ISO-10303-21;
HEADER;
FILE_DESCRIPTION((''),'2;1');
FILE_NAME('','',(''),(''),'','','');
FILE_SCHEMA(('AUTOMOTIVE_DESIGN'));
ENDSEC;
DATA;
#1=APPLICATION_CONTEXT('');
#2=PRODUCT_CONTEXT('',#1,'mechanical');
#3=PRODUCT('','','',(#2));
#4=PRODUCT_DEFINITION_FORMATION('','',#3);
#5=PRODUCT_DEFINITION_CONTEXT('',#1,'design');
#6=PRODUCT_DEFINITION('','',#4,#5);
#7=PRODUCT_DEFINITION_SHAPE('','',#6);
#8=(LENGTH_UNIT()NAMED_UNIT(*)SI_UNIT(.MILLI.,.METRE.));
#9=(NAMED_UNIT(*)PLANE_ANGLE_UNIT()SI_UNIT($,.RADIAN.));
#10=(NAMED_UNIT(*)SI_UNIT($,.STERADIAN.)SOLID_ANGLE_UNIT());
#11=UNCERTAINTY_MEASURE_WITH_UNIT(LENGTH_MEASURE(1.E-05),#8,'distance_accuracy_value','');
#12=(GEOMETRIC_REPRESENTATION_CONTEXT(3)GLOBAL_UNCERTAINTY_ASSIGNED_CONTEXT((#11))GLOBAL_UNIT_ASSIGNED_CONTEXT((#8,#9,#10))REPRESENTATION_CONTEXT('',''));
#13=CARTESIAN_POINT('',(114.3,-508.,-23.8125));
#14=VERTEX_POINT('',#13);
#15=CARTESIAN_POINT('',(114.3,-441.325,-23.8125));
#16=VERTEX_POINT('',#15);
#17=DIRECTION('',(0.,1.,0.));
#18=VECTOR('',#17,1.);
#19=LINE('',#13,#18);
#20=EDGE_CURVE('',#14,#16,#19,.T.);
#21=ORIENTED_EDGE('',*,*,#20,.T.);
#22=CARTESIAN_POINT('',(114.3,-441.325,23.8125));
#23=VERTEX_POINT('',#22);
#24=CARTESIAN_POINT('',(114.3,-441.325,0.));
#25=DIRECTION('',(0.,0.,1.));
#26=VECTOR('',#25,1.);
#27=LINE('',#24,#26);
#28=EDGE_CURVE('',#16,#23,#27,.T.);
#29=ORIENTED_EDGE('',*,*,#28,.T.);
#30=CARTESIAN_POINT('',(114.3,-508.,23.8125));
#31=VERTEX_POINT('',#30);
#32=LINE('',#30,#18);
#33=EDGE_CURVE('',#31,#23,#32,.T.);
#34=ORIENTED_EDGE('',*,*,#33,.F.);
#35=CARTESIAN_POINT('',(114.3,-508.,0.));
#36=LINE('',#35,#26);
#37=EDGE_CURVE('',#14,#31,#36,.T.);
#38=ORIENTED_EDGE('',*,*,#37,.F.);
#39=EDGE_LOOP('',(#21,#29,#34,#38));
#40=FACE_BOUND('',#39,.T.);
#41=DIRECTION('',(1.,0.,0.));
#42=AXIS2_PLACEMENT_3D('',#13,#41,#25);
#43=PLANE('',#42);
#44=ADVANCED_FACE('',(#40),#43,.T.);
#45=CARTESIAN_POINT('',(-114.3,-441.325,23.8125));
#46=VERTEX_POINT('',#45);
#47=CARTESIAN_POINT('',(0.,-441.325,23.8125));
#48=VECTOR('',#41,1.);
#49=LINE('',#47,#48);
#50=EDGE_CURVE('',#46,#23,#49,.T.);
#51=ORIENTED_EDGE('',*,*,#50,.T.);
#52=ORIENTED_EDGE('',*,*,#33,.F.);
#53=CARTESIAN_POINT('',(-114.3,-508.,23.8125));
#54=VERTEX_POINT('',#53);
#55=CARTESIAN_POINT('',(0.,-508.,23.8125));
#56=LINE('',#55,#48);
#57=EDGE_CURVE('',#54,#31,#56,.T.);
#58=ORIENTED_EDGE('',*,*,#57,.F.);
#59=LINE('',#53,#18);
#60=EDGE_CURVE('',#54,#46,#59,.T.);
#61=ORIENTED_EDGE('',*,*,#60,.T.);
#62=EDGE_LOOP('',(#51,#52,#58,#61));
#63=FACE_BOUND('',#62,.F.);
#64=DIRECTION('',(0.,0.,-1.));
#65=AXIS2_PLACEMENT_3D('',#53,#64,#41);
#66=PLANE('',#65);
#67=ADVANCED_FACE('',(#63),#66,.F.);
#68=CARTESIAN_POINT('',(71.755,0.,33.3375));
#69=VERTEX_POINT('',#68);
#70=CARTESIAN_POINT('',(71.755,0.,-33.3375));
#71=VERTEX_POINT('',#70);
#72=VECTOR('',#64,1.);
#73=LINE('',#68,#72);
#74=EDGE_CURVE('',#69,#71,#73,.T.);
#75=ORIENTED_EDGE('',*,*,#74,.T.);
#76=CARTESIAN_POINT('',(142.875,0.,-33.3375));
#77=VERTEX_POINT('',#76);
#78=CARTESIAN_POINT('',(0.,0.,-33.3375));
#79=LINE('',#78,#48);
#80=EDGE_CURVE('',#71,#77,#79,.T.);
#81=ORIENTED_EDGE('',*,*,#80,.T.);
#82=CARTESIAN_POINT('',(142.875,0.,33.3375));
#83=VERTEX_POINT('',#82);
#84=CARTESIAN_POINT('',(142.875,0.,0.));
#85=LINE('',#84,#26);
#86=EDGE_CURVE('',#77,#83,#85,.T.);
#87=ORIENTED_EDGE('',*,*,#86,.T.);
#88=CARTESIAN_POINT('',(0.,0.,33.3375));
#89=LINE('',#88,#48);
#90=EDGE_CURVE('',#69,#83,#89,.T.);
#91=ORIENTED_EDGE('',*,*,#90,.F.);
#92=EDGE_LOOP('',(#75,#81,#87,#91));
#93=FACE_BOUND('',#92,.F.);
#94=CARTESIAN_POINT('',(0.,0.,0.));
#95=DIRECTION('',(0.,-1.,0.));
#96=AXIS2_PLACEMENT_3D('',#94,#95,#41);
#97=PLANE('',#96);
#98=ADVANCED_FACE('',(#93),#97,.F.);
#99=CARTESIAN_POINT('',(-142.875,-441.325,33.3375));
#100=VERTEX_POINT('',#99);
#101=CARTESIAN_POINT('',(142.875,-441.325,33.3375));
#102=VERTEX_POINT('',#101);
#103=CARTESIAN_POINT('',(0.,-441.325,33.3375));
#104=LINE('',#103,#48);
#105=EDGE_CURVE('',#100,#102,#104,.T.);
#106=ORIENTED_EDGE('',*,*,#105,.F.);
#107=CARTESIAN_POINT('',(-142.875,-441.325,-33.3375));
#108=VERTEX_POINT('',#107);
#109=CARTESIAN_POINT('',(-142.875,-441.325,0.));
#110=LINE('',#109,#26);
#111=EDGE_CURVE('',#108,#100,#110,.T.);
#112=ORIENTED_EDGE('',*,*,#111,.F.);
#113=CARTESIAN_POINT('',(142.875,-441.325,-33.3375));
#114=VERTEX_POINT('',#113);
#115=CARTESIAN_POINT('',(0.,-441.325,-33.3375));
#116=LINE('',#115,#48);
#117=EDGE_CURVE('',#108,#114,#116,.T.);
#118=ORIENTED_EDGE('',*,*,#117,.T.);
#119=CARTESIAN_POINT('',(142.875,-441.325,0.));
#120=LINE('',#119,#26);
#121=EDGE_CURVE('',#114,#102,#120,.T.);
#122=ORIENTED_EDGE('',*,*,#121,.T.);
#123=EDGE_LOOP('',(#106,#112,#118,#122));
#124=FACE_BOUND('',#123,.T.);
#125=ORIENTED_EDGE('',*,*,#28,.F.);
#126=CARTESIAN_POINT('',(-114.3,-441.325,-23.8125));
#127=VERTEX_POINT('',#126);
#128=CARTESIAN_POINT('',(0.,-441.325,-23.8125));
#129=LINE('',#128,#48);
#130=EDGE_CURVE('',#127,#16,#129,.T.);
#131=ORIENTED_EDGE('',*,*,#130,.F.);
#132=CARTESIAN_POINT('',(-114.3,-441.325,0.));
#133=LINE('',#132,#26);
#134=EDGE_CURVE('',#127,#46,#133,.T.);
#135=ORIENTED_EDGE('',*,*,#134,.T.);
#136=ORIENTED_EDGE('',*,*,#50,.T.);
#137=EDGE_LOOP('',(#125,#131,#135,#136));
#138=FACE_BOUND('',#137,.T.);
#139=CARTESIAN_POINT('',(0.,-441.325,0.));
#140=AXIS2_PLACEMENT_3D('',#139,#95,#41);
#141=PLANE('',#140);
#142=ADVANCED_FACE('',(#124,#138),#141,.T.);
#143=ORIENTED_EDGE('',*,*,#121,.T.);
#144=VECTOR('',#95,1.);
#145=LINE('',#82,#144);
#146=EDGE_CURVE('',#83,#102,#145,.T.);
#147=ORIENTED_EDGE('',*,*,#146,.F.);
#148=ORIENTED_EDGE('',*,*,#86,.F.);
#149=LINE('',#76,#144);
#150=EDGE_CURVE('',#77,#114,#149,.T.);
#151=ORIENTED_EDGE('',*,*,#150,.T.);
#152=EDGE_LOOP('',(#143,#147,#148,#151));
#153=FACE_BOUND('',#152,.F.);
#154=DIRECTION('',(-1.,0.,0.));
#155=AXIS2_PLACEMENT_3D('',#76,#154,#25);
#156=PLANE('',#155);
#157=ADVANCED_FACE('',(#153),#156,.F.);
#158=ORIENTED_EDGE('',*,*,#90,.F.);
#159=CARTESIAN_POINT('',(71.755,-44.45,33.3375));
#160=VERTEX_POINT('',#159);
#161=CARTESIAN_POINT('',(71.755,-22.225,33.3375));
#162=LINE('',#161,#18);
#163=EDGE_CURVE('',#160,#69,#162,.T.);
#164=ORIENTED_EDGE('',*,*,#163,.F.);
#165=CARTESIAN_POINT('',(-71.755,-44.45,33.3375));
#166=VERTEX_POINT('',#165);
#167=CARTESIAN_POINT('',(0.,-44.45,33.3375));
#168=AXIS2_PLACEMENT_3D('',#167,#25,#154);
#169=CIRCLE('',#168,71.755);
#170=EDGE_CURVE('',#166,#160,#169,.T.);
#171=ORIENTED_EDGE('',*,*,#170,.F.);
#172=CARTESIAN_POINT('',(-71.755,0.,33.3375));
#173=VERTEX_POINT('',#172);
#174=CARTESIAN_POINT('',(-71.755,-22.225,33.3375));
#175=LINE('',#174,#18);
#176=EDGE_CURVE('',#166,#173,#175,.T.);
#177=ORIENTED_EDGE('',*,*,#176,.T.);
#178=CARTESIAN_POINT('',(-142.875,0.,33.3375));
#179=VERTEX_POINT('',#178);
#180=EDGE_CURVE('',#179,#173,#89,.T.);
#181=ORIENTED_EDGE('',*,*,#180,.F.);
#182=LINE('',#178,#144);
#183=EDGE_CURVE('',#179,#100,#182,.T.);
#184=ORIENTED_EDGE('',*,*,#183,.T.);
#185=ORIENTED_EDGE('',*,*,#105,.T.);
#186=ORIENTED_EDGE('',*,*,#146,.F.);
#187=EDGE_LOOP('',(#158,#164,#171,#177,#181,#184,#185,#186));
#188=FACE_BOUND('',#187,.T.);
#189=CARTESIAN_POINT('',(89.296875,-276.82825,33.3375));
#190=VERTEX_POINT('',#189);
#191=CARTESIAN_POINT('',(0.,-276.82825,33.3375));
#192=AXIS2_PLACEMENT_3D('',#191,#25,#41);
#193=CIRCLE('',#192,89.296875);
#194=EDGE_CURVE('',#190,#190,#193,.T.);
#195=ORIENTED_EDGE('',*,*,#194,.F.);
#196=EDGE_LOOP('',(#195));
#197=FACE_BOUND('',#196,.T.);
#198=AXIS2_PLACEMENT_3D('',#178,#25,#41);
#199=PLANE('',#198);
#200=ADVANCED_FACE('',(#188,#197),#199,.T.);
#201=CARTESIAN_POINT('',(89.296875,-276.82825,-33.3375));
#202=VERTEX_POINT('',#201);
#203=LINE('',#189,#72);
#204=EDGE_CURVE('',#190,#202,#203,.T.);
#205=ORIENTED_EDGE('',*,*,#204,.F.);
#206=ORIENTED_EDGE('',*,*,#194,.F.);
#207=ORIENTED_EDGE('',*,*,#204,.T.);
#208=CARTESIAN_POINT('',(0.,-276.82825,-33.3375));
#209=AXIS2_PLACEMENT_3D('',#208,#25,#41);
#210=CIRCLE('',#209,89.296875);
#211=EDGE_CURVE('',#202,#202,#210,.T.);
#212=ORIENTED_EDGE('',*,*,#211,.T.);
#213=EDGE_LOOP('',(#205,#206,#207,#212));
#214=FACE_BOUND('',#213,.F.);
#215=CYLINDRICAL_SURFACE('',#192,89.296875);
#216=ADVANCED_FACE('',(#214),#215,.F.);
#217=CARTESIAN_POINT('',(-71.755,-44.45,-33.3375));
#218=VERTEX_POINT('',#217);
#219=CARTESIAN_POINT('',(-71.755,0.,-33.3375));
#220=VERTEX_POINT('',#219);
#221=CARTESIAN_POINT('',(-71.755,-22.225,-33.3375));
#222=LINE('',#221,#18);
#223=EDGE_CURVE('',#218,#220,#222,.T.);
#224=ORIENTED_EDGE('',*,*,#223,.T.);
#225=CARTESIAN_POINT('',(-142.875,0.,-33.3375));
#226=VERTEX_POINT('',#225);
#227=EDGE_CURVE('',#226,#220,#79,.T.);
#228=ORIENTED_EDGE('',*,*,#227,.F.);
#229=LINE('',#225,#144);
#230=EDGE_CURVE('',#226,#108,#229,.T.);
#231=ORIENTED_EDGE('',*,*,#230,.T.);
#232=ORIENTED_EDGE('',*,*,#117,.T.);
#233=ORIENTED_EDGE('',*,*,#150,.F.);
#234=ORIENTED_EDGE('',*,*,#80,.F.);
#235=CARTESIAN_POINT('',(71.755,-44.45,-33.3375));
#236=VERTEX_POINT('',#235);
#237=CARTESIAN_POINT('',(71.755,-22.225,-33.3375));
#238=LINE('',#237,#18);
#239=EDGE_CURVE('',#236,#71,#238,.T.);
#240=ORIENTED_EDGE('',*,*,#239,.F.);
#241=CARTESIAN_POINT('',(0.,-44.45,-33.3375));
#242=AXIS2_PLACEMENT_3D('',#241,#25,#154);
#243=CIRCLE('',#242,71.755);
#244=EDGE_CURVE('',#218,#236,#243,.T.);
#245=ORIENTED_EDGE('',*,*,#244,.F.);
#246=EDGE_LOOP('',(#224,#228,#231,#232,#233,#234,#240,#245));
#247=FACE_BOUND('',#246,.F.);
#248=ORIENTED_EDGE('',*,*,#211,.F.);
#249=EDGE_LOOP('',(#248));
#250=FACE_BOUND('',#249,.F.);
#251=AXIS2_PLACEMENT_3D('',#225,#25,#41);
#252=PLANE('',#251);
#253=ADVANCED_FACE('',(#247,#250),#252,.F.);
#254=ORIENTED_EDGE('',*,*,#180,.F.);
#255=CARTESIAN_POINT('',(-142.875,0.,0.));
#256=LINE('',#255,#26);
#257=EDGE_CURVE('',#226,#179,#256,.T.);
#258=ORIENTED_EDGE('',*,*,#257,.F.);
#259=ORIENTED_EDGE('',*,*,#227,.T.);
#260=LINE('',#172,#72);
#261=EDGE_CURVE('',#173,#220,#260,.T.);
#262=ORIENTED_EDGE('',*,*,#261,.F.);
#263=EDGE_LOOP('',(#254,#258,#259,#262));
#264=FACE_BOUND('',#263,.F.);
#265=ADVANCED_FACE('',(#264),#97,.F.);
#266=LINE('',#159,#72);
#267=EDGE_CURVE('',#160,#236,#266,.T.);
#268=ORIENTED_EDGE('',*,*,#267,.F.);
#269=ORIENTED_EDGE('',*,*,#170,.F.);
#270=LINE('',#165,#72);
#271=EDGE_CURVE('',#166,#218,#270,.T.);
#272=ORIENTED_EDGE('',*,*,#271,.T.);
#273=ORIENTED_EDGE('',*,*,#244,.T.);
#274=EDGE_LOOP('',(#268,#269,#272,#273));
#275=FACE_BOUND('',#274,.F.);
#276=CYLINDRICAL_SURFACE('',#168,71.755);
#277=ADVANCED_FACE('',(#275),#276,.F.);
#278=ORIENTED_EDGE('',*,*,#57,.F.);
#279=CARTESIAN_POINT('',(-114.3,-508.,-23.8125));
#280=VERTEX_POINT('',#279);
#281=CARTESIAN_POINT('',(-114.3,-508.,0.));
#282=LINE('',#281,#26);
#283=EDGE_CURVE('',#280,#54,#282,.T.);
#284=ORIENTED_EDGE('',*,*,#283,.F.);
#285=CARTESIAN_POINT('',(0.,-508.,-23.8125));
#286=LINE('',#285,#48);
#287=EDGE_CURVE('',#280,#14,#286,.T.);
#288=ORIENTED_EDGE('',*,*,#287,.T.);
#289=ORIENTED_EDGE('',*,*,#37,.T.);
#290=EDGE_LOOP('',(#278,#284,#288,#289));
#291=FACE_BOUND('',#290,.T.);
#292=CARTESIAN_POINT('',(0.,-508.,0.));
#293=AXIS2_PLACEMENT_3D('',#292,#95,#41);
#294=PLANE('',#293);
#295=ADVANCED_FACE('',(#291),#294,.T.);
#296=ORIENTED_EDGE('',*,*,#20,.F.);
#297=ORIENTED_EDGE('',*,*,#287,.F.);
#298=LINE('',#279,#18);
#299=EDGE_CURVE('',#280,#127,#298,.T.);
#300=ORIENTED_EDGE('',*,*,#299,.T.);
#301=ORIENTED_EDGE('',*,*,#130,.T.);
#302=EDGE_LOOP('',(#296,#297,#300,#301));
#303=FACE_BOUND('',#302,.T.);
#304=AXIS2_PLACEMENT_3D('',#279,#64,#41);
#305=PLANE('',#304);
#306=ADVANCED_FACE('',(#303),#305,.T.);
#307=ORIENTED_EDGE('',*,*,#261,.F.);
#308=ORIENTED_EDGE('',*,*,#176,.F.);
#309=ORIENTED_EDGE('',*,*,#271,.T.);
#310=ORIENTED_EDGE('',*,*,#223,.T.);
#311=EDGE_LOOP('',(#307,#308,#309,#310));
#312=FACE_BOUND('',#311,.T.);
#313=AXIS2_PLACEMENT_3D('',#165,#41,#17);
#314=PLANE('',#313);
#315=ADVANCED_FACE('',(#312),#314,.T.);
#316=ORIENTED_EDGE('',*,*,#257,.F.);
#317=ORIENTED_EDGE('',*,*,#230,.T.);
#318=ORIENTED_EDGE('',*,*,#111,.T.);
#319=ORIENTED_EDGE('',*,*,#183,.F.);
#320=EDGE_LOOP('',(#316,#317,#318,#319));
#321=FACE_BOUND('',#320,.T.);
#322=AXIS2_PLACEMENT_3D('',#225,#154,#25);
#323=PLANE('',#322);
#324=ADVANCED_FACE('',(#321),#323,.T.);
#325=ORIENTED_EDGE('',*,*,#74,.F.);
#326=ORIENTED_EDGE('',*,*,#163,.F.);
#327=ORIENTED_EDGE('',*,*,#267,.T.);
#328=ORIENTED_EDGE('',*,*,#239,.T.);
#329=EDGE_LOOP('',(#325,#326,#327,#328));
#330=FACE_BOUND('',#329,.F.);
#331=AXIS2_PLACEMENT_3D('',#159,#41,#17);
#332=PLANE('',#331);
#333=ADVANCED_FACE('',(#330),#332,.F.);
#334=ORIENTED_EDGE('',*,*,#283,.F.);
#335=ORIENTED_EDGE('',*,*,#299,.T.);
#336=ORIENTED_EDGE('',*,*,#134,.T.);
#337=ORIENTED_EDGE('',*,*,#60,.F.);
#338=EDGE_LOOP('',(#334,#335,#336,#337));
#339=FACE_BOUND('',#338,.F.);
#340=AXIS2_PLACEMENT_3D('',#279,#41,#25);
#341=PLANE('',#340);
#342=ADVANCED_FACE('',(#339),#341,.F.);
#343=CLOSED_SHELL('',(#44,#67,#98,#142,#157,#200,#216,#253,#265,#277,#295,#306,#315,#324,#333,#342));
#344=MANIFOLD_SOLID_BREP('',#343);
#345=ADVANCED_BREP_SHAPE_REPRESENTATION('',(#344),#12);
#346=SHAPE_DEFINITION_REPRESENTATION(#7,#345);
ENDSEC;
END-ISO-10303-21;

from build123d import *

# Parameters (mm, degrees)
F0_W     = 285.75
F0_H     = 66.675
F1_DEPTH = 508
F2_W     = 285.75
F2_H     = 66.675
F2_W_2   = 228.6
F2_H_2   = 47.625
F3_DEPTH = 66.675
F4_R     = 89.296875
F4_W     = 143.51
F4_H     = 44.45
F5_DEPTH = 66.676


with BuildPart() as f1:
    # F0 (on Front) → F1 (new body)
    with BuildSketch(Plane.XZ):
        Rectangle(F0_W, F0_H)
    extrude(amount=F1_DEPTH)

    # F2 (on face) → F3 (cut)
    with BuildSketch(Plane.XZ.offset(508)):
        Rectangle(F2_W, F2_H)
        Rectangle(F2_W_2, F2_H_2, mode=Mode.SUBTRACT)
    extrude(amount=-F3_DEPTH, mode=Mode.SUBTRACT)

    # F4 (on face) → F5 (cut, through all)
    with BuildSketch(Plane.XY.offset(33.3375)):
        with Locations((0, -276.82825)):
            Circle(F4_R)
        with BuildLine():
            Line((71.755, -44.45), (-71.755, -44.45))
            ThreePointArc((-71.755, -44.45), (0, -116.205), (71.755, -44.45))
        make_face()
        with Locations((0, -22.225)):
            Rectangle(F4_W, F4_H)
    extrude(amount=-F5_DEPTH, mode=Mode.SUBTRACT)


solid = f1.part
